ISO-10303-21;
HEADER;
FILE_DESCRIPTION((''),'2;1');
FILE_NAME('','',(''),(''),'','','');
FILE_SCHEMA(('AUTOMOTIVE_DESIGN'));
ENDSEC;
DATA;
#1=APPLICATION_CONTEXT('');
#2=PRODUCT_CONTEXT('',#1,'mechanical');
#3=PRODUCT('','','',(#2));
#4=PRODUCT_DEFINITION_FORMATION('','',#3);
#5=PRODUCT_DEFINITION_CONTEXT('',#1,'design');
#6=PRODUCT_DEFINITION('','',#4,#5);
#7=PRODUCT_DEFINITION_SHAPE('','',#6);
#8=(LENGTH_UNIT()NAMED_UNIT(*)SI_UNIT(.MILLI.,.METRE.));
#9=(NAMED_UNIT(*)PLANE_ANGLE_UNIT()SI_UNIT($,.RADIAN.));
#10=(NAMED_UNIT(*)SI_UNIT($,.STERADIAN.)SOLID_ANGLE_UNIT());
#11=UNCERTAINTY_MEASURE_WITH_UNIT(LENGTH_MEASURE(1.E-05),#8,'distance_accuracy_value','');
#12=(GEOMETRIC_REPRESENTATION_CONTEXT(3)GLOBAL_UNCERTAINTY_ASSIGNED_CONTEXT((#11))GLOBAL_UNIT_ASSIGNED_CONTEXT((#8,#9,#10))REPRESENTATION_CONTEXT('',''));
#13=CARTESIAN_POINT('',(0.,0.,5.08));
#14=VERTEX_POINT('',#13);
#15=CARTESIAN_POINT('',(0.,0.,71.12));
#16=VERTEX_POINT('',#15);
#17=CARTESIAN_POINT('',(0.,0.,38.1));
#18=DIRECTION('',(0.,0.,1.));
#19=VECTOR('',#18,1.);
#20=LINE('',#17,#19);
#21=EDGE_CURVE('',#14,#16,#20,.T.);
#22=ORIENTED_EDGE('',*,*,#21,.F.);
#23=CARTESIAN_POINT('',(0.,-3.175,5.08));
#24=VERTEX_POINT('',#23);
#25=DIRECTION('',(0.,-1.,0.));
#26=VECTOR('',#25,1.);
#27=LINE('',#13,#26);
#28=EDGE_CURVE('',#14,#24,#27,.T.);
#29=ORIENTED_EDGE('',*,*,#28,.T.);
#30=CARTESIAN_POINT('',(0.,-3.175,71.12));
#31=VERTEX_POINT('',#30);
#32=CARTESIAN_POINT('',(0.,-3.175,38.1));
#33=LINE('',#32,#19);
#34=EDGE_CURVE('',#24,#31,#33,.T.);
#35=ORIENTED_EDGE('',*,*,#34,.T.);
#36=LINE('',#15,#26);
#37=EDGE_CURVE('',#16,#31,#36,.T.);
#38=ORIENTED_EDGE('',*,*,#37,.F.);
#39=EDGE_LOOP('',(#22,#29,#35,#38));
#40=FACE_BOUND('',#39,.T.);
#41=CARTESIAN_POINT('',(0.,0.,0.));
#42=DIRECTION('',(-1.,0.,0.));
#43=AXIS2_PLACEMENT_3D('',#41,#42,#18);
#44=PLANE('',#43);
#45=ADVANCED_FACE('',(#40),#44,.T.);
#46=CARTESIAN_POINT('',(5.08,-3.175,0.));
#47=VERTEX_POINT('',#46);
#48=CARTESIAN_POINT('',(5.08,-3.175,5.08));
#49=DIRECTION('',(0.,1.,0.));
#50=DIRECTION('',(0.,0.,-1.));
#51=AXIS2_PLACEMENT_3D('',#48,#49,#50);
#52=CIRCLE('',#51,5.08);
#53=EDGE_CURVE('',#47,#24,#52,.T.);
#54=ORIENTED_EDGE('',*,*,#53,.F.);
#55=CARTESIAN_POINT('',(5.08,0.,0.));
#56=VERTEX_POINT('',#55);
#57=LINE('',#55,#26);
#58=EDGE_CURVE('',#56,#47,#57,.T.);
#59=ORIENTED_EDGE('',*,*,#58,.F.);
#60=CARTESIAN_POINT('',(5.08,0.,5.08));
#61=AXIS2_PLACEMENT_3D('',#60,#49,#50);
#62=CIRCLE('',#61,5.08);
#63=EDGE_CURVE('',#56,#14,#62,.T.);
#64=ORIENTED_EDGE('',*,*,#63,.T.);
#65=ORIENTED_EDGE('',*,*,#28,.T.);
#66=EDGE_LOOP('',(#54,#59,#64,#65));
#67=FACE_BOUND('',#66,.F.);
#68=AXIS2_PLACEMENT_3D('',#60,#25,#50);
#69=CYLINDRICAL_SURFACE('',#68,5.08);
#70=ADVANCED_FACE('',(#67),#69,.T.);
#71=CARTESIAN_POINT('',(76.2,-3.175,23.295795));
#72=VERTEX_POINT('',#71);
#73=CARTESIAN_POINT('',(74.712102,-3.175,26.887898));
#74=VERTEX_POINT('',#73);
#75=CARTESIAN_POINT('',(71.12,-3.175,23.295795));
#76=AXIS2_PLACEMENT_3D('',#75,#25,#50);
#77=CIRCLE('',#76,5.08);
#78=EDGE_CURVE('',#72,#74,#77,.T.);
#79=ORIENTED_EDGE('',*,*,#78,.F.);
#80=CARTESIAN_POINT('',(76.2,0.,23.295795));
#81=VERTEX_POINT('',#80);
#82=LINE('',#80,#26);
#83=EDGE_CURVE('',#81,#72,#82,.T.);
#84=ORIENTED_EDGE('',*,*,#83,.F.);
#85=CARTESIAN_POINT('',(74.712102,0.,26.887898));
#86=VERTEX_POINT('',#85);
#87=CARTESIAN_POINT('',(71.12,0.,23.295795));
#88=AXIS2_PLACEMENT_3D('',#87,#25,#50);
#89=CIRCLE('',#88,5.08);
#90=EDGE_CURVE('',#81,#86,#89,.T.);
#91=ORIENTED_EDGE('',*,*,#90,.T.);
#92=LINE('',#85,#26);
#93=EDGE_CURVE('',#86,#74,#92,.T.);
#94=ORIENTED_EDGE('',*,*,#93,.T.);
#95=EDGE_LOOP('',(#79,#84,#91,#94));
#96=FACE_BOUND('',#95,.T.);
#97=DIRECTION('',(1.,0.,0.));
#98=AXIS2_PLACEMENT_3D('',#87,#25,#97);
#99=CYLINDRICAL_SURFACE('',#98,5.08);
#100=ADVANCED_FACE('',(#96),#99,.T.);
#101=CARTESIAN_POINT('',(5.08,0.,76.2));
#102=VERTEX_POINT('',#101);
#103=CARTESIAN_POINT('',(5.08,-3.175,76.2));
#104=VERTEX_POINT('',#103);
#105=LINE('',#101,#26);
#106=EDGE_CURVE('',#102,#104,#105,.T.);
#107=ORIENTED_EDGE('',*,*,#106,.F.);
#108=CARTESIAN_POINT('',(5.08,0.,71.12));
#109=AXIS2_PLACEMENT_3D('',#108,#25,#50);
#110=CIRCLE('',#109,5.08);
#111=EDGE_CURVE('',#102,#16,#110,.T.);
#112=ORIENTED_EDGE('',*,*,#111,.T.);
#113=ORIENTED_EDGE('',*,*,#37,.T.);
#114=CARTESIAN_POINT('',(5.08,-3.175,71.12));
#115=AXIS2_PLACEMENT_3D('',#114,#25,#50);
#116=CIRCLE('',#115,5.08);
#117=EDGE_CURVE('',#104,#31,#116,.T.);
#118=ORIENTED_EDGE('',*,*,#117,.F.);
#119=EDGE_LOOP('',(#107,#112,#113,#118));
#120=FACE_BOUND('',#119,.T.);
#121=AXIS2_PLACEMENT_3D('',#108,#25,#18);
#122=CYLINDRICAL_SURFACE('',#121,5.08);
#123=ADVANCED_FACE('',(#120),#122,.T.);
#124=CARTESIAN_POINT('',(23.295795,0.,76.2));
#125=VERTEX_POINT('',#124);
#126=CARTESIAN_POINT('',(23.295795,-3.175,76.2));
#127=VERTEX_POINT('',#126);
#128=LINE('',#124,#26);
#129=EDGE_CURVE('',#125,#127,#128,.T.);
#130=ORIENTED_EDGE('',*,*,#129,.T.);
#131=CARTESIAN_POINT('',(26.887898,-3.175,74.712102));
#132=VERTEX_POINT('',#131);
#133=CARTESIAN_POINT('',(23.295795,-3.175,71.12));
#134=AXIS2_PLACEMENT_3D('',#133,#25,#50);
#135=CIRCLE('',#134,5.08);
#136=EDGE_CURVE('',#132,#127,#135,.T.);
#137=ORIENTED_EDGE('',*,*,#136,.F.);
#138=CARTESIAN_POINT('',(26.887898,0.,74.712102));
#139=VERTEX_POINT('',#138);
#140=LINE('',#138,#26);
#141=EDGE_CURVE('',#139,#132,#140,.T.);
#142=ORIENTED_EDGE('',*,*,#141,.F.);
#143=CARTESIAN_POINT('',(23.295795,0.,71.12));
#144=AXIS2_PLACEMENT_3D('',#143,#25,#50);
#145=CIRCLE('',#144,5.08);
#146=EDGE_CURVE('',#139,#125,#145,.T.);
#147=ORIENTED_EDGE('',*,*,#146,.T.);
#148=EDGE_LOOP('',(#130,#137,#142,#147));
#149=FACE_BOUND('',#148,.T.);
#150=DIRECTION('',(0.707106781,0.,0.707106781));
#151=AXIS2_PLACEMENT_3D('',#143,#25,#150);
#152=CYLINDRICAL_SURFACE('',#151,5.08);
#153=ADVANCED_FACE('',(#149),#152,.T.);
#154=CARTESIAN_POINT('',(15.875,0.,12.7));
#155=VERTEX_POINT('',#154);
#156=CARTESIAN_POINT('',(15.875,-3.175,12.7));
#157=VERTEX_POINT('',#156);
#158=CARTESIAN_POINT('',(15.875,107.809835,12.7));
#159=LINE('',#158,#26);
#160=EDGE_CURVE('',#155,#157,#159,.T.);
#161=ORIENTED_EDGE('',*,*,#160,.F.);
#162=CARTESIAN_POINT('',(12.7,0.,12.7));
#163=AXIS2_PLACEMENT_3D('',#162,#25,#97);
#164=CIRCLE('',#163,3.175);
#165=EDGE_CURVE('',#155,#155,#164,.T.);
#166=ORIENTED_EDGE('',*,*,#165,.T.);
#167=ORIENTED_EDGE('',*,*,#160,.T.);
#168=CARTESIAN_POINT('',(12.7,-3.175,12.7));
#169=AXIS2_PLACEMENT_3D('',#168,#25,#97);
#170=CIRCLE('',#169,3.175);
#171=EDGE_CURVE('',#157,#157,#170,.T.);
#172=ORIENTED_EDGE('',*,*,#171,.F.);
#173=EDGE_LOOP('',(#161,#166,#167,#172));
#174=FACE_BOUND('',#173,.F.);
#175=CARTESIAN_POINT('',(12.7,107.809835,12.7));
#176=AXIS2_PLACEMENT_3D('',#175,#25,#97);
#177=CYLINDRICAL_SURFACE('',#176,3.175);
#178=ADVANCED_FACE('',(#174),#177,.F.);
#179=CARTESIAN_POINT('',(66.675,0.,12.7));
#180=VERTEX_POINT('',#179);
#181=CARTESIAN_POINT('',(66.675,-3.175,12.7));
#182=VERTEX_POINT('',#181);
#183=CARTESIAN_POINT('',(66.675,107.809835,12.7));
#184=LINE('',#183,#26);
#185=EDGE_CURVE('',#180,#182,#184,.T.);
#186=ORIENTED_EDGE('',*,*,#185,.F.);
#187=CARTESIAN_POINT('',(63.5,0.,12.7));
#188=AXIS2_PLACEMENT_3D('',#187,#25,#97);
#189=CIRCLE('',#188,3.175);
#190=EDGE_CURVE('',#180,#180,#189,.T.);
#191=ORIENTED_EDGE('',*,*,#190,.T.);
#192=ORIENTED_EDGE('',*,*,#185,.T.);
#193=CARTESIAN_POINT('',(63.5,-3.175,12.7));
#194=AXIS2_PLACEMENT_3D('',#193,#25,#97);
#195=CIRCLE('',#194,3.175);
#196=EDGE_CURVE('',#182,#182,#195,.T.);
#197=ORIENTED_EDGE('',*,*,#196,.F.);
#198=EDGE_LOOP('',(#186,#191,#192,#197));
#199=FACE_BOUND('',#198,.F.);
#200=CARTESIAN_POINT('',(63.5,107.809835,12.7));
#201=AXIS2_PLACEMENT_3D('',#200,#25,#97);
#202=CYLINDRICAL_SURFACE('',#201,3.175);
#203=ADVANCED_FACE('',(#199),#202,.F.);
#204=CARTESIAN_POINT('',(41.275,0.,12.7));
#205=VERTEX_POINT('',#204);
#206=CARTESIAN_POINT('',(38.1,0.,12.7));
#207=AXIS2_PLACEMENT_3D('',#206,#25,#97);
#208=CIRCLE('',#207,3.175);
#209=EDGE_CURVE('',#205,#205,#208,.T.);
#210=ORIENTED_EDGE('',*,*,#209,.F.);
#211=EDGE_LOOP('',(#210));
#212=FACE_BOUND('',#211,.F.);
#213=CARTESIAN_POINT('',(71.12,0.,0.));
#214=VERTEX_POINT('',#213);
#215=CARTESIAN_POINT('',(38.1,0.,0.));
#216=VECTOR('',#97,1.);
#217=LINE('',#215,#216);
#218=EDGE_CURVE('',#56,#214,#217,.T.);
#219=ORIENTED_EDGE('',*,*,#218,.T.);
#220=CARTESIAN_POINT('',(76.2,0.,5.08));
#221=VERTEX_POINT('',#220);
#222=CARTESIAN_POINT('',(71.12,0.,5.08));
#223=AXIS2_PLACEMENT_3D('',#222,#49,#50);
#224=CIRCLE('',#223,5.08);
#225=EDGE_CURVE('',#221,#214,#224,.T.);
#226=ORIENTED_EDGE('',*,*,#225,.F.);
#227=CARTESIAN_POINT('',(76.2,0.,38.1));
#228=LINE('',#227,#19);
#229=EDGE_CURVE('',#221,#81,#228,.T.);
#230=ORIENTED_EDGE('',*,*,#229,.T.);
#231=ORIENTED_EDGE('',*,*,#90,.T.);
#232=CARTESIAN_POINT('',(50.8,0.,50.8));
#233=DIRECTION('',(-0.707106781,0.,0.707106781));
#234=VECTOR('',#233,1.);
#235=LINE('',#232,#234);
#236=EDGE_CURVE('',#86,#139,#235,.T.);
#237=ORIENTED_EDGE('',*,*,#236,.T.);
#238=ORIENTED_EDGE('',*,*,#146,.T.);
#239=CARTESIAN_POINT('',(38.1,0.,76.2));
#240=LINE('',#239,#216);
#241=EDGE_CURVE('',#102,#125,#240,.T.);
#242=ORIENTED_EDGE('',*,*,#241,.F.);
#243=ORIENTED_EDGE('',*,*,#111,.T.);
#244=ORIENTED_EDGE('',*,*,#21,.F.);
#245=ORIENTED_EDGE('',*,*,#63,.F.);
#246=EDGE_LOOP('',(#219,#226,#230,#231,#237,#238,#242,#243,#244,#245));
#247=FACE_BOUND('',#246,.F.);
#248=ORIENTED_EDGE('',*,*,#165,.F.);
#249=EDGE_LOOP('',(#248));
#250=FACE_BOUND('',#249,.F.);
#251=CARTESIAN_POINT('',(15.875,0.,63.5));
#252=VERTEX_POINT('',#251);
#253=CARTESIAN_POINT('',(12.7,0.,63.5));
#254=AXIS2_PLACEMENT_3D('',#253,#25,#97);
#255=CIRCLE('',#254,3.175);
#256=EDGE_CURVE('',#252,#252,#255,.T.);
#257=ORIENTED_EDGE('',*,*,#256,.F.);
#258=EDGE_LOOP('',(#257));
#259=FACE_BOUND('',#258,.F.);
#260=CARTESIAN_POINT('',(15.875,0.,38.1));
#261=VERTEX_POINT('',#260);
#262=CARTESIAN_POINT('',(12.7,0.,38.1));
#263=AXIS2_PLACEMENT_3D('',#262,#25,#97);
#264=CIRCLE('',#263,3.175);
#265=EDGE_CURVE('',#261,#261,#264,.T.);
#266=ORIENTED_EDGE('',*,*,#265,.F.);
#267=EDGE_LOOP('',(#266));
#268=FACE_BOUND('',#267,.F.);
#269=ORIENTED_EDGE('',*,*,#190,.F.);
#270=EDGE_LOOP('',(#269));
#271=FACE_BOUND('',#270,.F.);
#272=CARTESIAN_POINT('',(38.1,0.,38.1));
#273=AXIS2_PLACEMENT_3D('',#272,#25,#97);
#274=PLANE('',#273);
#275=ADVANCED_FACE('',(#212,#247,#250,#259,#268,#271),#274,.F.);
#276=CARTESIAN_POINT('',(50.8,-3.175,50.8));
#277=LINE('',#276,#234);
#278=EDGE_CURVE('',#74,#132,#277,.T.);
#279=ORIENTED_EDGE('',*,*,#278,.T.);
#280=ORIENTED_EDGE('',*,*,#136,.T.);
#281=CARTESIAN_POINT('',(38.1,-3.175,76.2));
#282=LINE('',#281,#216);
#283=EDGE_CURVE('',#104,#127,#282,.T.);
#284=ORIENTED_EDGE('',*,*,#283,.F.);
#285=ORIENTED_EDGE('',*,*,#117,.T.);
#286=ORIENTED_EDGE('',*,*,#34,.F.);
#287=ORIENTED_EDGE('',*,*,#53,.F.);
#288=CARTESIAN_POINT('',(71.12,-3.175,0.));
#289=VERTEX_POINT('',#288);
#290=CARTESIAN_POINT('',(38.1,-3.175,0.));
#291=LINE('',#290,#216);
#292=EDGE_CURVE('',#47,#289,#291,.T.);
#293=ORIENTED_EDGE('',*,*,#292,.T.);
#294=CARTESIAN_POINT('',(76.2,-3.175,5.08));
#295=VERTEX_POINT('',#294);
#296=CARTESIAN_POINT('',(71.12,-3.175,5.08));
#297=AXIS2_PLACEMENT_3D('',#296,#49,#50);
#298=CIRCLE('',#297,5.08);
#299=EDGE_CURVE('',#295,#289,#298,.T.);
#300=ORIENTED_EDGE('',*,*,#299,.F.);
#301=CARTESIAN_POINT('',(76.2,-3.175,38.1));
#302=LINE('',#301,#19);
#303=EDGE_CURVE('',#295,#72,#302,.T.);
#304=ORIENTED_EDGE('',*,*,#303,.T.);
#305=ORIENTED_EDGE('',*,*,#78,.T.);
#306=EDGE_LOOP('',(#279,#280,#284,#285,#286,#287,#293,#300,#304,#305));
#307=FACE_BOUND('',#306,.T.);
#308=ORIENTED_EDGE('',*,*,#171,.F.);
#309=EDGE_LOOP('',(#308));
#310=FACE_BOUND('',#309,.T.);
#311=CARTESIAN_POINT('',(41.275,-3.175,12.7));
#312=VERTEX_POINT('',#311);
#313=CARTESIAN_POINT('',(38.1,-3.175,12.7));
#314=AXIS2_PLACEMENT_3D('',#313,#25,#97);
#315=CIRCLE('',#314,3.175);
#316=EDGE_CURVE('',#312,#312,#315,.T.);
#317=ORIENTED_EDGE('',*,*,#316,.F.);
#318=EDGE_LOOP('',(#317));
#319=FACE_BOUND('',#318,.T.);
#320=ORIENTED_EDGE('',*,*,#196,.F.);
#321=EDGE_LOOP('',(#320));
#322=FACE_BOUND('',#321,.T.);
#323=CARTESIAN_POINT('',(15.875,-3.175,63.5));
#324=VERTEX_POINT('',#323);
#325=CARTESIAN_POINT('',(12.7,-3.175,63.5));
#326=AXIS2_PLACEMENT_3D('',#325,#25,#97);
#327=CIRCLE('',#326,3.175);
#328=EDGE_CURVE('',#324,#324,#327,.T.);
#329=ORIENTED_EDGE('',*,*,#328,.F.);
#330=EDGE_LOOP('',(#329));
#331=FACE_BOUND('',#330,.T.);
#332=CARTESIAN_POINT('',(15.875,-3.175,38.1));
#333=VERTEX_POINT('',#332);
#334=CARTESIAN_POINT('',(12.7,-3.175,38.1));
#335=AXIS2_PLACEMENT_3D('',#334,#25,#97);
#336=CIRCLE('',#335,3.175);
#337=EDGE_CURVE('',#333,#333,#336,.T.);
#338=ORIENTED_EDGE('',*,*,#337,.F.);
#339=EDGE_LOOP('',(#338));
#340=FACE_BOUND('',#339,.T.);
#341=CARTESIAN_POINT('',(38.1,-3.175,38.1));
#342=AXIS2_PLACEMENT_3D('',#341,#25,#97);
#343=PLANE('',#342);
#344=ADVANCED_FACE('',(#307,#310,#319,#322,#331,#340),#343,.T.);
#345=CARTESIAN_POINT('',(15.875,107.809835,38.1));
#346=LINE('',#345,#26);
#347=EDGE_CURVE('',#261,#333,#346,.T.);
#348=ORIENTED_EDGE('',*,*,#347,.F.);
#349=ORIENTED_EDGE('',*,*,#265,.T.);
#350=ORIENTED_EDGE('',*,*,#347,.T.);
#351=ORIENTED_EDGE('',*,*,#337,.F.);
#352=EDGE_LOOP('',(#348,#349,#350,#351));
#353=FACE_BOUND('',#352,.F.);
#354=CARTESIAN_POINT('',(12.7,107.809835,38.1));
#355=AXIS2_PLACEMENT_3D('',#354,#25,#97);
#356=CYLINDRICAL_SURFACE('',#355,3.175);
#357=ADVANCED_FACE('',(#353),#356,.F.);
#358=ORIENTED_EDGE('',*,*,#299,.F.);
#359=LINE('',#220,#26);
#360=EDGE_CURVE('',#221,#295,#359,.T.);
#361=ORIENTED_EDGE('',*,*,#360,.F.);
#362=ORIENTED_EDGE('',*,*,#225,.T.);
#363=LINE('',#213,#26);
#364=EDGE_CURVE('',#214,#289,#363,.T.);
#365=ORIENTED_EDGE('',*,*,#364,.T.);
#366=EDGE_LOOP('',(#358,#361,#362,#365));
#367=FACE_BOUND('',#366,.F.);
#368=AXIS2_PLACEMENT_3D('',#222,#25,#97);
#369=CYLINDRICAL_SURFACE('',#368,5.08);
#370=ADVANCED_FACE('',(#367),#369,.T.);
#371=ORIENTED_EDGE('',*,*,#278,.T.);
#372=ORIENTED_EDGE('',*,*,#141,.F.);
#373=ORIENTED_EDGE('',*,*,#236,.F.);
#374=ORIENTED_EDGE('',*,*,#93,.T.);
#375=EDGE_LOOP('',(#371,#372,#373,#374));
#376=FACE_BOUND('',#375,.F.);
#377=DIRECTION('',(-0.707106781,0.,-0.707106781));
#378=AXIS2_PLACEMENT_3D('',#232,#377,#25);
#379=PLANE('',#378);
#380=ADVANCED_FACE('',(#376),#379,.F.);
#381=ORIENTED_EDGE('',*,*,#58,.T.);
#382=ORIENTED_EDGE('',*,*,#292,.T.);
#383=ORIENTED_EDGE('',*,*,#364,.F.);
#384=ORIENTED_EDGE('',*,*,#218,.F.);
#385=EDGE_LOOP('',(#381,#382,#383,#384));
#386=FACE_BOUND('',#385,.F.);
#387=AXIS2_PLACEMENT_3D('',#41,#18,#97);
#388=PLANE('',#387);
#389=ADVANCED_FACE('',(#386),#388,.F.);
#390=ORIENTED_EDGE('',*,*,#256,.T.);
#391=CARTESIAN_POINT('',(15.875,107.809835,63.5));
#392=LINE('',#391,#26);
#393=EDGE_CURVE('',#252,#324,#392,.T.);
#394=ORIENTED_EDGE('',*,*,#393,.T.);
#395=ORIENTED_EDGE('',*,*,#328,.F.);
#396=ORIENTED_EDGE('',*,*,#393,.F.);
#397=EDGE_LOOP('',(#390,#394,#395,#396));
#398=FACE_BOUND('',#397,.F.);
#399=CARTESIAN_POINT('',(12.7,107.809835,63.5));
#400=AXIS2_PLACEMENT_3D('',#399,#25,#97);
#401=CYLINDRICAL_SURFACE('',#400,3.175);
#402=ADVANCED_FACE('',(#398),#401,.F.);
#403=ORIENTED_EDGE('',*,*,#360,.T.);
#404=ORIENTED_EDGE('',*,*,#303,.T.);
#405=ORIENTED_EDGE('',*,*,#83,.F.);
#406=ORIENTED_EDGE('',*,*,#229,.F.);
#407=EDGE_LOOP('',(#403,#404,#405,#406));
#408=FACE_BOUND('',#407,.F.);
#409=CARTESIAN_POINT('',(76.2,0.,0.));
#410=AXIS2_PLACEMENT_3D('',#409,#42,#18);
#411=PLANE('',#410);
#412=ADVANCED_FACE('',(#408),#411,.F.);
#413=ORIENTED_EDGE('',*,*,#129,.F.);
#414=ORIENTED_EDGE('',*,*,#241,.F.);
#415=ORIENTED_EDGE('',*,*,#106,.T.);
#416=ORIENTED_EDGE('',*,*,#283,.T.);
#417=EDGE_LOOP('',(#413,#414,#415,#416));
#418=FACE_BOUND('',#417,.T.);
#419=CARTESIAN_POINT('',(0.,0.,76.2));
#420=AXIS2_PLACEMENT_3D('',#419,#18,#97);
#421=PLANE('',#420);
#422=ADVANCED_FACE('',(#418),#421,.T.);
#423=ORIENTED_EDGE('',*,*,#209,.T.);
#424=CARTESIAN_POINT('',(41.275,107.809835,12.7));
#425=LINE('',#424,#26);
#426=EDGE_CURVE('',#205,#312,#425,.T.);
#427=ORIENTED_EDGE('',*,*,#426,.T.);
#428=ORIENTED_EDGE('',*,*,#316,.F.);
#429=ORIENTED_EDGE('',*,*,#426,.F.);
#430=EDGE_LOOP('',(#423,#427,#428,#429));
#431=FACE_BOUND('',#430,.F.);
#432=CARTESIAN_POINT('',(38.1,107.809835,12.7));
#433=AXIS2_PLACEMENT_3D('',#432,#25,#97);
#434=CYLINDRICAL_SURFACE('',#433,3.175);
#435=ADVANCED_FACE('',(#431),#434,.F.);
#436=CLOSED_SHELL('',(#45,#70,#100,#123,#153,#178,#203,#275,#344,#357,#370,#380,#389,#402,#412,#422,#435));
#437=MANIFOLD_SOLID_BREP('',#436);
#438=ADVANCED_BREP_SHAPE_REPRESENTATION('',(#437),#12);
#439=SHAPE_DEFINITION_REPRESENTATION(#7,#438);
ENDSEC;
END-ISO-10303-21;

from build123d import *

# Parameters (mm, degrees)
F0_W     = 76.2
F0_H     = 76.2
F1_DEPTH = 3.175
F2_SIZE  = 50.8
F3_R     = 5.08
F5_D     = 6.35


with BuildPart() as f1:
    # F0 (on Front) → F1 (new body)
    with BuildSketch(Plane.XZ):
        with Locations((38.1, 38.1)):
            Rectangle(F0_W, F0_H)
    extrude(amount=F1_DEPTH)

    # F2
    f2_edges = [f1.edges().sort_by_distance(p)[0] for p in [
        (76.2, -1.5875, 76.2),
    ]]
    chamfer(f2_edges, length=F2_SIZE)

    # F3
    f3_edges = [f1.edges().sort_by_distance(p)[0] for p in [
        (0, -1.5875, 76.2),
        (25.4, -1.5875, 76.2),
        (76.2, -1.5875, 25.4),
        (76.2, -1.5875, 0),
        (0, -1.5875, 0),
    ]]
    fillet(f3_edges, radius=F3_R)

    # F5 (through all)
    with Locations(Plane(origin=(0, 0, 0), x_dir=(-1, 0, 0), z_dir=(0, 1, 0))):
        with Locations((-12.7, 12.7), (-12.7, 38.1), (-12.7, 63.5), (-38.1, 12.7), (-63.5, 12.7)):
            Hole(F5_D / 2)


solid = f1.part
